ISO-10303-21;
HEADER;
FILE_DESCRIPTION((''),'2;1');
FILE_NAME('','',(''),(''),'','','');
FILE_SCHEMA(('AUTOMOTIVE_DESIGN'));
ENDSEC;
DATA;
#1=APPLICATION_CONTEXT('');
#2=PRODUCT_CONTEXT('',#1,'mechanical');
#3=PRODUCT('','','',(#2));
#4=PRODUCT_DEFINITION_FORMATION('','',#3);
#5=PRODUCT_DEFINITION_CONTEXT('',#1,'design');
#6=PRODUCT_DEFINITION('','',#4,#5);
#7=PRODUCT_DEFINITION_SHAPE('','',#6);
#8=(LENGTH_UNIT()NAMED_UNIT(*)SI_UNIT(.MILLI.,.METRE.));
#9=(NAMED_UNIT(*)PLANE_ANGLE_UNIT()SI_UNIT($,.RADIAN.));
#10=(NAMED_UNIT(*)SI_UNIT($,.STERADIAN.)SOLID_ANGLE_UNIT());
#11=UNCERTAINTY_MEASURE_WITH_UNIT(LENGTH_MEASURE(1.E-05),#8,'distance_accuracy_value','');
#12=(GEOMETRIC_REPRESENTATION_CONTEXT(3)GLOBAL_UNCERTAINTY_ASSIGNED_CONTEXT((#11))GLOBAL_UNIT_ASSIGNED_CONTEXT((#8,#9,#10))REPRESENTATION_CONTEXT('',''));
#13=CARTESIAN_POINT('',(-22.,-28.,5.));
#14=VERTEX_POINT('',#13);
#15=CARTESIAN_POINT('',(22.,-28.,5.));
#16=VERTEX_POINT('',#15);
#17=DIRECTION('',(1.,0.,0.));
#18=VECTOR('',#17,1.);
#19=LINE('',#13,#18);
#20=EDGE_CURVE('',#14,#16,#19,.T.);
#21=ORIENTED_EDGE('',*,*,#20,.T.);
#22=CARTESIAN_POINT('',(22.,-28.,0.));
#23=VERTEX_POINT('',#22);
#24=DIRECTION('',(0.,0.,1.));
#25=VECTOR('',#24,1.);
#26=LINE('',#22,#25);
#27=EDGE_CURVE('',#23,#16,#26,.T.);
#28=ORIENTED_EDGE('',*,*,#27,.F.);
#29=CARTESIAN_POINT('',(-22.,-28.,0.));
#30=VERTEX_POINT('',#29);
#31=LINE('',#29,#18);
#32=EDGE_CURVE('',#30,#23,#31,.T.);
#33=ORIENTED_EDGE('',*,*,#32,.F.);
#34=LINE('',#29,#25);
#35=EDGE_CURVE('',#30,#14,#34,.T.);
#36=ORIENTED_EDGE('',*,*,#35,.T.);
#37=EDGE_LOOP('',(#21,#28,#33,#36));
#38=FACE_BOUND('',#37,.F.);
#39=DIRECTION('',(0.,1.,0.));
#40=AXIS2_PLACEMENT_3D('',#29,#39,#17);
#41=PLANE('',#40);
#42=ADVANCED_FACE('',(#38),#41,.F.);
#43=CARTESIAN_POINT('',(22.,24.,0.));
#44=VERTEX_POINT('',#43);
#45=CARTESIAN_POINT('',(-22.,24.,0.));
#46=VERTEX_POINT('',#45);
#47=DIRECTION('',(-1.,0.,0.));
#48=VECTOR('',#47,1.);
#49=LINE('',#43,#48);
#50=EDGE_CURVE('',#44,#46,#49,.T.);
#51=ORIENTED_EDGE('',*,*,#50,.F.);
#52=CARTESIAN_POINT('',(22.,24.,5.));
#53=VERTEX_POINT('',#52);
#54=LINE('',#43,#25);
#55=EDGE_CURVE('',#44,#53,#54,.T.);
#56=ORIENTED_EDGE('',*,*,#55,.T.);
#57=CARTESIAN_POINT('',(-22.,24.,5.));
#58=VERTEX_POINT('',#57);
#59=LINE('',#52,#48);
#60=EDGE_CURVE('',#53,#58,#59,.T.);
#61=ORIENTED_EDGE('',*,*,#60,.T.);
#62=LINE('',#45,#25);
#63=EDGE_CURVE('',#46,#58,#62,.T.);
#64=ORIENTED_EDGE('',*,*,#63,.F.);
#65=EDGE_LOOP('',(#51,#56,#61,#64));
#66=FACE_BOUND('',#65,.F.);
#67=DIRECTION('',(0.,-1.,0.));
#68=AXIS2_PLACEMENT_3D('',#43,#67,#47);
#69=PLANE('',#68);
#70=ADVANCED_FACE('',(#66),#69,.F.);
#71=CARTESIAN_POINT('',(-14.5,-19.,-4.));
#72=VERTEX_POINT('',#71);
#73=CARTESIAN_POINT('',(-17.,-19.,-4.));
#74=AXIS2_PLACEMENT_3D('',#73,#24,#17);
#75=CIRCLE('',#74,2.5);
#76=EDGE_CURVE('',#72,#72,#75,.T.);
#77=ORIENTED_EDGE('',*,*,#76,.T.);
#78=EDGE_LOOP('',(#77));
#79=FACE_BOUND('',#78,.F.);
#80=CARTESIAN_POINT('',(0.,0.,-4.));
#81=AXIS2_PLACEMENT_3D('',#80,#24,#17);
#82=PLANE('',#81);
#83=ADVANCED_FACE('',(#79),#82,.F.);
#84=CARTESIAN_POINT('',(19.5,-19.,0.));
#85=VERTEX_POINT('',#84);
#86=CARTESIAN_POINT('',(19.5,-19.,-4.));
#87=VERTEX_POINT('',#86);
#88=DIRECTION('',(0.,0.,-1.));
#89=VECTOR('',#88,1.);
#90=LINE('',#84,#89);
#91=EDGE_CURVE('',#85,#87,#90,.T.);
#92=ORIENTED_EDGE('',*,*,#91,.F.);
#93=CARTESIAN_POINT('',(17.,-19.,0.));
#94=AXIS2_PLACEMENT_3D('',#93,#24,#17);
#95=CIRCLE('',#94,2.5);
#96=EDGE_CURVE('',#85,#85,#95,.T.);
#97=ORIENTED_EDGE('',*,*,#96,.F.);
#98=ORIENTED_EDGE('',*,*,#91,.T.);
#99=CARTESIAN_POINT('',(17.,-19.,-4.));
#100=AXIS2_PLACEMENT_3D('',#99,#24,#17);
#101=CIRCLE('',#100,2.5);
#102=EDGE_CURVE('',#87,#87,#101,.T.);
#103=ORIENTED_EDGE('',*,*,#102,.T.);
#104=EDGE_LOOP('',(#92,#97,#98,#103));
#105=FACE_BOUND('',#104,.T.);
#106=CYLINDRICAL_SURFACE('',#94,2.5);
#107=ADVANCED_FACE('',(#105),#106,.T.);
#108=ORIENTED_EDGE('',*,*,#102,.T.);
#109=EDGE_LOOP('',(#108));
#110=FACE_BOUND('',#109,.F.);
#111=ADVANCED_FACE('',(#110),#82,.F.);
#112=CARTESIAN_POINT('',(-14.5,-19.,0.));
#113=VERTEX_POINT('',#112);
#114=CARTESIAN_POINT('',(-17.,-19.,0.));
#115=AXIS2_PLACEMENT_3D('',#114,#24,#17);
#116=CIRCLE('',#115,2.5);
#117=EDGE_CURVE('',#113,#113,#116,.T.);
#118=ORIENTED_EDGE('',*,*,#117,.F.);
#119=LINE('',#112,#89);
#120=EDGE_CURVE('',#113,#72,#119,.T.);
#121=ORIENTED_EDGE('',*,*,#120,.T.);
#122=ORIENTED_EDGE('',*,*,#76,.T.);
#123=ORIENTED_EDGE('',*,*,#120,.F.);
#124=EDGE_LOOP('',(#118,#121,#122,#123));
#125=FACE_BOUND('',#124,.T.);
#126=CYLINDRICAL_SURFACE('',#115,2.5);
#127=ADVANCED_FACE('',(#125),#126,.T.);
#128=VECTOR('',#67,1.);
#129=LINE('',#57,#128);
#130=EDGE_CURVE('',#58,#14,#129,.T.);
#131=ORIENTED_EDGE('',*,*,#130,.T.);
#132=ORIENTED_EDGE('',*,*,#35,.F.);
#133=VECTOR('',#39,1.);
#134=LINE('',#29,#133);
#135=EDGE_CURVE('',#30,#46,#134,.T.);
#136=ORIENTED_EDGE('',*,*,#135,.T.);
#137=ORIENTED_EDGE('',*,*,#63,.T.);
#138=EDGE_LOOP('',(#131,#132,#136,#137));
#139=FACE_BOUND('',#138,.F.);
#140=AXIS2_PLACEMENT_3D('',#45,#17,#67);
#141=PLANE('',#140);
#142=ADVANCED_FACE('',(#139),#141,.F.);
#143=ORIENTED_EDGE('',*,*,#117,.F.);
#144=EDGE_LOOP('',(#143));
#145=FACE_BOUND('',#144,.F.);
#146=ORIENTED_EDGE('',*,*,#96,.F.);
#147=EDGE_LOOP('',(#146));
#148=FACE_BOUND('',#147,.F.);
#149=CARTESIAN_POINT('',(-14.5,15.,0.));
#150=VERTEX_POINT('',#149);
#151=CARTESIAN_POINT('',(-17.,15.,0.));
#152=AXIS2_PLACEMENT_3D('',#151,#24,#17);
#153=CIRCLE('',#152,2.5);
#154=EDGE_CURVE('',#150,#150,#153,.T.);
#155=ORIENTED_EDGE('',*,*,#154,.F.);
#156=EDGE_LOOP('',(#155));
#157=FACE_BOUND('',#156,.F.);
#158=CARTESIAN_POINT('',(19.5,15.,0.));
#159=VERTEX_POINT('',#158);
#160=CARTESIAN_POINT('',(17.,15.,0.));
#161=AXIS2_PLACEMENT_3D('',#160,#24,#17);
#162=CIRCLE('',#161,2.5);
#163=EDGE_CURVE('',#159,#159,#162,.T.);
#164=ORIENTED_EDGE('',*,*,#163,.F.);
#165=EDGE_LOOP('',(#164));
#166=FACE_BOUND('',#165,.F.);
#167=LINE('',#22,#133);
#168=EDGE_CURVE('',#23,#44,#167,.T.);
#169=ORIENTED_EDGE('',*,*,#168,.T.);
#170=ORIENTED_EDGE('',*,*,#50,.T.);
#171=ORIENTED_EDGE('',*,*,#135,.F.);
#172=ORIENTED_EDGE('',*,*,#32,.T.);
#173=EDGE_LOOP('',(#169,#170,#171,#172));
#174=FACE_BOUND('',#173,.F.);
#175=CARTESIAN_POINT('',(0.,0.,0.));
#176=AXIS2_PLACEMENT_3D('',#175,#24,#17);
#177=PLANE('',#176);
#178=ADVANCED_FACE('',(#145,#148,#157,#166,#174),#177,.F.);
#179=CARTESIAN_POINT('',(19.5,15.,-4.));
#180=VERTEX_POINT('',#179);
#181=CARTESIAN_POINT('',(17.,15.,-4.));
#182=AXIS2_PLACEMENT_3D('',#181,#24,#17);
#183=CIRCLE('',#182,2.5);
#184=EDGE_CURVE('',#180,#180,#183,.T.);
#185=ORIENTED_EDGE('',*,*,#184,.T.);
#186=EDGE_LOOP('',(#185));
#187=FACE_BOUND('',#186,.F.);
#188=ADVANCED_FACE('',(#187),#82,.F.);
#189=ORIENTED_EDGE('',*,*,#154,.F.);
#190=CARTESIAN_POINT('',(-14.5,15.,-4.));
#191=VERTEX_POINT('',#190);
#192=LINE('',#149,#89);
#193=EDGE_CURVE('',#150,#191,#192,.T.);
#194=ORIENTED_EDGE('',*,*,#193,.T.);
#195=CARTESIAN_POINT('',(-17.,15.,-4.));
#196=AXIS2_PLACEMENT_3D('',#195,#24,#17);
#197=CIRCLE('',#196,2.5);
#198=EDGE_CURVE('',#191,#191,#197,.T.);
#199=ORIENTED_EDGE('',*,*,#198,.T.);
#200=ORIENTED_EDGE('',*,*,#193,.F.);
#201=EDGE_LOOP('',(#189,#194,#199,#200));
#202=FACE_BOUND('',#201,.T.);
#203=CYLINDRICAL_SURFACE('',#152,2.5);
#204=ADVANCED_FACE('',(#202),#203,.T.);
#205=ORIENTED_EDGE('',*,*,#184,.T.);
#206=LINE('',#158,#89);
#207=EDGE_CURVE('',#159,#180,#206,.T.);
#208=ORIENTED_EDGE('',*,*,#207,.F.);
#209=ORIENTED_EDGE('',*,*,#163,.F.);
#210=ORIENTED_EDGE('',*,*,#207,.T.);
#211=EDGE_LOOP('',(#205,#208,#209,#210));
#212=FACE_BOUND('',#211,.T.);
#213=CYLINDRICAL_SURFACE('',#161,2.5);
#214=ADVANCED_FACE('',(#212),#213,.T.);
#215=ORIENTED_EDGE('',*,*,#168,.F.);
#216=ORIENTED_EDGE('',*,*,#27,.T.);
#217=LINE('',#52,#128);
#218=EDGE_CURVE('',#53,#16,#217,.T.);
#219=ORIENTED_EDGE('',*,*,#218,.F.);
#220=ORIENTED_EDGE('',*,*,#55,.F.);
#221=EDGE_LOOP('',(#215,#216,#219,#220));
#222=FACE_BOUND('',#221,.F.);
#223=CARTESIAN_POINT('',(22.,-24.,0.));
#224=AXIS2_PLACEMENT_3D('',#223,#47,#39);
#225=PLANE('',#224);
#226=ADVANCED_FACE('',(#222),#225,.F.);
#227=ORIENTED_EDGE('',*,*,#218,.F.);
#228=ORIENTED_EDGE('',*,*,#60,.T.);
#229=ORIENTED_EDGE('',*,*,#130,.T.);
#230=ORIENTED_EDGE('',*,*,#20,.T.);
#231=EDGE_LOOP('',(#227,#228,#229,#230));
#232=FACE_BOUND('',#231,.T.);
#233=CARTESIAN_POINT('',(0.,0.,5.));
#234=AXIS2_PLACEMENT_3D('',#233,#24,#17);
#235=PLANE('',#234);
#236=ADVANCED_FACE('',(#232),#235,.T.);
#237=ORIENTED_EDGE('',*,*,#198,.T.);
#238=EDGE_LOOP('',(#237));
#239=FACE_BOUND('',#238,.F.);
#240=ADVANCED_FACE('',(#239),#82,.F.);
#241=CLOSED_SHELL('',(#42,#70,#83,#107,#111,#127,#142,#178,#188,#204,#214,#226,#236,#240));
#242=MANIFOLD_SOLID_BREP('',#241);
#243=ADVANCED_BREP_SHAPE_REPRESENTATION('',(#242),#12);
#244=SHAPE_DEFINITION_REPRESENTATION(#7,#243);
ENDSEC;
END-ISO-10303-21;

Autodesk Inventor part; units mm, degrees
ref_plane "YZ Plane" through (0, 0, 0) normal (1, 0, 0) x (0, 1, 0)
ref_plane "XZ Plane" through (0, 0, 0) normal (0, 1, 0) x (-1, 0, 0)
ref_plane "XY Plane" through (0, 0, 0) normal (0, 0, 1) x (1, 0, 0)
sketch "スケッチ1" plane through (0, 0, 0) normal (0, 0, 1) x (1, 0, 0)
  line L0 (22, 24) -> (-22, 24)
  line L1 (-22, 24) -> (-22, -24)
  line L2 (-22, -24) -> (22, -24)
  line L3 (22, -24) -> (22, 24)
  line L4 (22, 24) -> (-22, -24) construction
  line L5 (-22, 24) -> (22, -24) construction
  line L6 (-17, 15) -> (17, 15) construction
  line L7 (17, 15) -> (17, -19) construction
  line L8 (17, -19) -> (-17, -19) construction
  line L9 (-17, -19) -> (-17, 15) construction
  circle A0 centre (-17, 15) radius 2.5
  circle A1 centre (17, 15) radius 2.5
  circle A2 centre (17, -19) radius 2.5
  circle A3 centre (-17, -19) radius 2.5
  line L10 (22, -24) -> (-22, -24)
  line L11 (-22, -24) -> (-22, -28)
  line L12 (-22, -28) -> (22, -28)
  line L13 (22, -28) -> (22, -24)
  point P0 (0, 0)
  point P1 (0, 15)
  point P2 (0, 24)
  dimension "d0" = 48
  dimension "d1" = 44
  dimension "d2" = 34
  dimension "d3" = 5
  dimension "d4" = 5
  dimension "d5" = 5
  dimension "d16" = 4
extrude "押し出し1" add sketch "スケッチ1" along normal blind 5 contours L3 L2 L1 L0 | L13 L12 L11 L2 | A0 | A1 | A2 | A3
extrude "押し出し2" add sketch "スケッチ1" against normal blind 4 contours A0 | A1 | A2 | A3
equation "\"d4\" = d3"
properties part number "board_setter_cover"
